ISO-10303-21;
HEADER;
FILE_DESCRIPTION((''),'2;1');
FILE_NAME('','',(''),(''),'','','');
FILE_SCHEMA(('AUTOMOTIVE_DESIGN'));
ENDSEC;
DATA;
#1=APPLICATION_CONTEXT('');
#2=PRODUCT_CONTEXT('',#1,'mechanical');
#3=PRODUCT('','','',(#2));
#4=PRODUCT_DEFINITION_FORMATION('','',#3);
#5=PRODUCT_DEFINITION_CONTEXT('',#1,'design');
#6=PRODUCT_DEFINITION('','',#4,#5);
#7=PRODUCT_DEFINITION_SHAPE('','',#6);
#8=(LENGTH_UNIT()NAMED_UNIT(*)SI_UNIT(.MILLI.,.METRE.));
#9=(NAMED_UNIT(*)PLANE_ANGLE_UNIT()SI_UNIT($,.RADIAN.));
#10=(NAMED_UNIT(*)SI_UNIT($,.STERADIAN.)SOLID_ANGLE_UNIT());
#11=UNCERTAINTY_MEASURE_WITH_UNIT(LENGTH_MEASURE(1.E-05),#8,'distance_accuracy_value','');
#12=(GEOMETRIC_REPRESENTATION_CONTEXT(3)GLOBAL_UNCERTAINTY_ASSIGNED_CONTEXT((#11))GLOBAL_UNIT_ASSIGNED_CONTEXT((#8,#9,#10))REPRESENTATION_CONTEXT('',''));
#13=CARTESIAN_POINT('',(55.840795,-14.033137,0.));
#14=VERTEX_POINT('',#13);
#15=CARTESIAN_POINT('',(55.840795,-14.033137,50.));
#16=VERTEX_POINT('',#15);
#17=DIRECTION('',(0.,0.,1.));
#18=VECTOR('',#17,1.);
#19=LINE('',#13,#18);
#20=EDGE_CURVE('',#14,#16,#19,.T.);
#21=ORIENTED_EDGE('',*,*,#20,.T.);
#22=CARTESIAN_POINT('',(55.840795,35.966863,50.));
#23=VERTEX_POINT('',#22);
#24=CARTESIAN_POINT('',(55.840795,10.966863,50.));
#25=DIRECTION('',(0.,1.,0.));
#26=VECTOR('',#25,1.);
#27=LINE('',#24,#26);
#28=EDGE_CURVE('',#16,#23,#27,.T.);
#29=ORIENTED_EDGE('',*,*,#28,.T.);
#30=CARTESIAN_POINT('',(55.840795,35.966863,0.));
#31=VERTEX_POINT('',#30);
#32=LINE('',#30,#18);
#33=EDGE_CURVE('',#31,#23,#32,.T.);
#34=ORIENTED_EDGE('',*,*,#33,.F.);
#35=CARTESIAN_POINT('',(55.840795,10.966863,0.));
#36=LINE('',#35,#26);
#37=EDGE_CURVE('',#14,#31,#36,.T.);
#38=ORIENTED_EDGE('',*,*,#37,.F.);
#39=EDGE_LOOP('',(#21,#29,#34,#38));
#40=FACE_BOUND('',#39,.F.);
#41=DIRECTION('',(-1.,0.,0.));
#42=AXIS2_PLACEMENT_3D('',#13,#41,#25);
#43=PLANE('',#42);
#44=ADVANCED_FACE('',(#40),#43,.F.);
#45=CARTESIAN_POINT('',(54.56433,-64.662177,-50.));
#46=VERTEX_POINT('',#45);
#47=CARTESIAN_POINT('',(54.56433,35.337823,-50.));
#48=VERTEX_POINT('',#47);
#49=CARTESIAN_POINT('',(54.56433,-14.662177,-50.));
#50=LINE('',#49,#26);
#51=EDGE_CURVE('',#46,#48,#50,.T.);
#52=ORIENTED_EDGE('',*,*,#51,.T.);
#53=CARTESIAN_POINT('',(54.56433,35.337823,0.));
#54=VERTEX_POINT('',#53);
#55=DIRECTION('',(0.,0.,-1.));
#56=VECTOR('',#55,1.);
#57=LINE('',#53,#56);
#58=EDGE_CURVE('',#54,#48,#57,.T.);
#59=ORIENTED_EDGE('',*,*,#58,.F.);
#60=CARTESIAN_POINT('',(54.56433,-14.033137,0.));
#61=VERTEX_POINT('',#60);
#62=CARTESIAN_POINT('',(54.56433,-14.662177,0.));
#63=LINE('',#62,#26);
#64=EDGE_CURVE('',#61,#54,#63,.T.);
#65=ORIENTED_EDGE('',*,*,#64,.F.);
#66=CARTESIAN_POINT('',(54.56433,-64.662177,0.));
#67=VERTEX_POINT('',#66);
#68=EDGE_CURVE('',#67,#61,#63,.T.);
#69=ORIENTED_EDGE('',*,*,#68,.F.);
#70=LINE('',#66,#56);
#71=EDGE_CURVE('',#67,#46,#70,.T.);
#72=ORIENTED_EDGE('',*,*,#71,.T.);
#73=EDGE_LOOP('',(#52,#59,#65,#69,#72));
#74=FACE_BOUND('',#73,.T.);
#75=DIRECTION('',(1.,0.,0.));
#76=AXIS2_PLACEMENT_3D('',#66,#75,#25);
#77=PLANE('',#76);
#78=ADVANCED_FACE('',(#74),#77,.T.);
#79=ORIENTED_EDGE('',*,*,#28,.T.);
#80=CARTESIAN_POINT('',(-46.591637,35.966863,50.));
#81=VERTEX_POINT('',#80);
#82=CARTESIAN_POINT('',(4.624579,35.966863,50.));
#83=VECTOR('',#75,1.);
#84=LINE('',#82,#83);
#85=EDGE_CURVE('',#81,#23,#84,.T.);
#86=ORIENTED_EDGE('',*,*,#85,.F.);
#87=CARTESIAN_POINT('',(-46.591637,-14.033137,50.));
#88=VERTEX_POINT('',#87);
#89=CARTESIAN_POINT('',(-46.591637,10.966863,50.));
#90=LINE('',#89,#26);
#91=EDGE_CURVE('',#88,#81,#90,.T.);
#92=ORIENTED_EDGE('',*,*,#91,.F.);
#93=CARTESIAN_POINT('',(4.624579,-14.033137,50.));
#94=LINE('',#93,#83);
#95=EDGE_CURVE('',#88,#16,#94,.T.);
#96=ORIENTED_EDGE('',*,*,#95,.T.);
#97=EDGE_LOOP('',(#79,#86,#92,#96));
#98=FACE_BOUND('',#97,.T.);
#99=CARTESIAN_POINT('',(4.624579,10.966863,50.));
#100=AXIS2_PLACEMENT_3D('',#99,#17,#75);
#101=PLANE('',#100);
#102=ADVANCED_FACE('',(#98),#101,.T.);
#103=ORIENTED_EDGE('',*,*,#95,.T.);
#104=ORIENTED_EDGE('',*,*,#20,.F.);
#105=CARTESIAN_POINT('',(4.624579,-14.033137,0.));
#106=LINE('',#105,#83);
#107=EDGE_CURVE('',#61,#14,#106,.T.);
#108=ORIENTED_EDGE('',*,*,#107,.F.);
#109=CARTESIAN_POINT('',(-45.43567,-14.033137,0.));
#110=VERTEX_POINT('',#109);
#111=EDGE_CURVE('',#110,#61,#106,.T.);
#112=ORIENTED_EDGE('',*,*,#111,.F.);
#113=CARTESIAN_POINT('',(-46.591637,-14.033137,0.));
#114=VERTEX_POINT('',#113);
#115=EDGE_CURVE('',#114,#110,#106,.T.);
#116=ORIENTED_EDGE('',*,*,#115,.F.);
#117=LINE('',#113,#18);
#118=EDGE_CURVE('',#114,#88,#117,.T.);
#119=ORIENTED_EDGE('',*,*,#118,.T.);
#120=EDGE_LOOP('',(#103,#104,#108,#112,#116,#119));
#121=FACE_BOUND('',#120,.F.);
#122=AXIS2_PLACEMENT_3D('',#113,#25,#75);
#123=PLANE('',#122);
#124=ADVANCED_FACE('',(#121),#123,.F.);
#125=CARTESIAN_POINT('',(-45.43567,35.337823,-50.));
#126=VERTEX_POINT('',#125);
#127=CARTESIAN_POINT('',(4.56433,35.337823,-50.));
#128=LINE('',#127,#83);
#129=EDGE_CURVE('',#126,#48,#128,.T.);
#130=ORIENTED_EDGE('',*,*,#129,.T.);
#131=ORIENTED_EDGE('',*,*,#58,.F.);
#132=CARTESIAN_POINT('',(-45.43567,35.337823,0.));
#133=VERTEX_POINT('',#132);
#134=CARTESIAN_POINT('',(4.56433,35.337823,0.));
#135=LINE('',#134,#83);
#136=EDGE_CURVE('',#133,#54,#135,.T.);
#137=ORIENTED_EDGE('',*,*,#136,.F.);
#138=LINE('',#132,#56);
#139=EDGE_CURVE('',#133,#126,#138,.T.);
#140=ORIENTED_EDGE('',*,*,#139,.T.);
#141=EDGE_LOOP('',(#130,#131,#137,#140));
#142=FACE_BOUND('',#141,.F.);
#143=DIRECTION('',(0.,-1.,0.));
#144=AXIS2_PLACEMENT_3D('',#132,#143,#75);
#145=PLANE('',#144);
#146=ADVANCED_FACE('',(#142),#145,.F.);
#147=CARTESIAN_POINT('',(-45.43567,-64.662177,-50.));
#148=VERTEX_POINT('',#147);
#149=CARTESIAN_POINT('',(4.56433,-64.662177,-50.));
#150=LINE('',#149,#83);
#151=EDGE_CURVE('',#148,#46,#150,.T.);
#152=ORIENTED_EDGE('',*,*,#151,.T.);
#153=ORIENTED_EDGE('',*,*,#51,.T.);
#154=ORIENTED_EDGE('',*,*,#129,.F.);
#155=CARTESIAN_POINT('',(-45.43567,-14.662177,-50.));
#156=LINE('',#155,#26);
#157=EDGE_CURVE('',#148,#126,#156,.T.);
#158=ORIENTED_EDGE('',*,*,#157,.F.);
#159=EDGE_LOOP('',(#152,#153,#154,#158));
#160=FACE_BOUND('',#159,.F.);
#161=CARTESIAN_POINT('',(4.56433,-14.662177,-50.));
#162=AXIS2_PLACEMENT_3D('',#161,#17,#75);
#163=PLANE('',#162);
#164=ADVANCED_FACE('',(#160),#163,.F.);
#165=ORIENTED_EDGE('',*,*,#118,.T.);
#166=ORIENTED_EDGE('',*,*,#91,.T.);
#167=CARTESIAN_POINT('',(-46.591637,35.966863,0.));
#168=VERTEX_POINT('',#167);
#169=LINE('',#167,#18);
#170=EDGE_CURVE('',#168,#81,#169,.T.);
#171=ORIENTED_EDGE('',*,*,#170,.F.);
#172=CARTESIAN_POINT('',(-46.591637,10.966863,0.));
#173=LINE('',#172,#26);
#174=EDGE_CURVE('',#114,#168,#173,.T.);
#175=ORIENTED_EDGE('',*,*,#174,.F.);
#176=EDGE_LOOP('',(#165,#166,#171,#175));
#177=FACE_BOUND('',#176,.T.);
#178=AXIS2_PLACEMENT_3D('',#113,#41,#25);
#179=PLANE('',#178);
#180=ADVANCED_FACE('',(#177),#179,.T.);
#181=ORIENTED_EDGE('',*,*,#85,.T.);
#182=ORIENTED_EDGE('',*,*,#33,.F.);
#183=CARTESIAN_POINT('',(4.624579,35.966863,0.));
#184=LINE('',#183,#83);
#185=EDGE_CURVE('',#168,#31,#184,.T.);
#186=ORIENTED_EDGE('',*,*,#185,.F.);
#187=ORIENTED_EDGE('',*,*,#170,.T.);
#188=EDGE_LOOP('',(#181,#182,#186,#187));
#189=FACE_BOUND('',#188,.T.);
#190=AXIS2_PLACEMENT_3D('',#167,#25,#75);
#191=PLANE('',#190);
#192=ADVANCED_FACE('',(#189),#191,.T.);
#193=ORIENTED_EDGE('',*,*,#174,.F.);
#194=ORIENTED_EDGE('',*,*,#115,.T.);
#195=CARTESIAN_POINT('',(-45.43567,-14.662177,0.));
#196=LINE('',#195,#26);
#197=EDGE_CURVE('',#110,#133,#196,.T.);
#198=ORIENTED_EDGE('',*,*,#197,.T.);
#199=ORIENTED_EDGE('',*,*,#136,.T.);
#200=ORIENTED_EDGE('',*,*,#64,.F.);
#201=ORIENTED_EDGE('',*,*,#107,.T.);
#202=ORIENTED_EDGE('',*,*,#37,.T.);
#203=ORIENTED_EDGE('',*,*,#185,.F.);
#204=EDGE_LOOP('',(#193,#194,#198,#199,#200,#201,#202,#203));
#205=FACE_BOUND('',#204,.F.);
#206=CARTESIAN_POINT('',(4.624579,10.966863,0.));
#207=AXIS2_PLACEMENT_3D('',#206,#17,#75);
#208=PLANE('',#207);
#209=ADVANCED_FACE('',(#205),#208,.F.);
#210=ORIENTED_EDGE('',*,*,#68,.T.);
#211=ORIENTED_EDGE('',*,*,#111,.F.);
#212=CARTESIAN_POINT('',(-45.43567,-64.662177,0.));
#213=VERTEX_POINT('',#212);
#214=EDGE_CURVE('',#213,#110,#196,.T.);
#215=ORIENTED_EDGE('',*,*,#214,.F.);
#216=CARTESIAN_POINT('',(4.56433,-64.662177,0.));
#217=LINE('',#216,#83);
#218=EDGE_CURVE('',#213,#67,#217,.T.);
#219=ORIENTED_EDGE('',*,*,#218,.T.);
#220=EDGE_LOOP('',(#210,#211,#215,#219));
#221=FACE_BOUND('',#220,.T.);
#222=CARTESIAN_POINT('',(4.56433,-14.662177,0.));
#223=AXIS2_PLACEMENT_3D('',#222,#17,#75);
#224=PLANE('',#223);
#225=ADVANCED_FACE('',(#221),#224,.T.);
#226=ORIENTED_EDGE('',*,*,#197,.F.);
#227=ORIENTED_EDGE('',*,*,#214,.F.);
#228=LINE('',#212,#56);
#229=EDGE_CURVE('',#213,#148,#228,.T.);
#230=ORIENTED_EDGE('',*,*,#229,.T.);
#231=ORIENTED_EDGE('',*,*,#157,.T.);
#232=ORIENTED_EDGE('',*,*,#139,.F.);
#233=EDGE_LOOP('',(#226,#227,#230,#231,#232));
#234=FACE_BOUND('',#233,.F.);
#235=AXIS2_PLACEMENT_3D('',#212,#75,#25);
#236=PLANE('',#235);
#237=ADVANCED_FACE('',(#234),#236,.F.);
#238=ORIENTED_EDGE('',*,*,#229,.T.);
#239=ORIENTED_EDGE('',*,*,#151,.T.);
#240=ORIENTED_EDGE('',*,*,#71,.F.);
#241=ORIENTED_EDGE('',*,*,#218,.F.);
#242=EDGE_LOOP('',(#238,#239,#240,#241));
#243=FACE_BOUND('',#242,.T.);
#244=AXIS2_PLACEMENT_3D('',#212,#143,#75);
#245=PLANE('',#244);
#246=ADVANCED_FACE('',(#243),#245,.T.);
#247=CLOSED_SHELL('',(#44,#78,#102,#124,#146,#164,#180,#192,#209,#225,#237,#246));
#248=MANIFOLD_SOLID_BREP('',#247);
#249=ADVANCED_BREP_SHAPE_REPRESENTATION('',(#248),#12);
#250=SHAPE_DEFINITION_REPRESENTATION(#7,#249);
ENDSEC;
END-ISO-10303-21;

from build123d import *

# Parameters (mm, degrees)
F0_W     = 100
F0_H     = 100
F1_DEPTH = 50
F2_W     = 102.432432
F2_H     = 50
F3_DEPTH = 50


with BuildPart() as f1:
    # F0 (on Top) → F1 (new body)
    with BuildSketch(Plane.XY):
        with Locations((4.56433, -14.662177)):
            Rectangle(F0_W, F0_H)
    extrude(amount=-F1_DEPTH)

    # F2 (on Top) → F3 (join)
    with BuildSketch(Plane.XY):
        with Locations((4.624579, 10.966863)):
            Rectangle(F2_W, F2_H)
    extrude(amount=F3_DEPTH)


solid = f1.part
